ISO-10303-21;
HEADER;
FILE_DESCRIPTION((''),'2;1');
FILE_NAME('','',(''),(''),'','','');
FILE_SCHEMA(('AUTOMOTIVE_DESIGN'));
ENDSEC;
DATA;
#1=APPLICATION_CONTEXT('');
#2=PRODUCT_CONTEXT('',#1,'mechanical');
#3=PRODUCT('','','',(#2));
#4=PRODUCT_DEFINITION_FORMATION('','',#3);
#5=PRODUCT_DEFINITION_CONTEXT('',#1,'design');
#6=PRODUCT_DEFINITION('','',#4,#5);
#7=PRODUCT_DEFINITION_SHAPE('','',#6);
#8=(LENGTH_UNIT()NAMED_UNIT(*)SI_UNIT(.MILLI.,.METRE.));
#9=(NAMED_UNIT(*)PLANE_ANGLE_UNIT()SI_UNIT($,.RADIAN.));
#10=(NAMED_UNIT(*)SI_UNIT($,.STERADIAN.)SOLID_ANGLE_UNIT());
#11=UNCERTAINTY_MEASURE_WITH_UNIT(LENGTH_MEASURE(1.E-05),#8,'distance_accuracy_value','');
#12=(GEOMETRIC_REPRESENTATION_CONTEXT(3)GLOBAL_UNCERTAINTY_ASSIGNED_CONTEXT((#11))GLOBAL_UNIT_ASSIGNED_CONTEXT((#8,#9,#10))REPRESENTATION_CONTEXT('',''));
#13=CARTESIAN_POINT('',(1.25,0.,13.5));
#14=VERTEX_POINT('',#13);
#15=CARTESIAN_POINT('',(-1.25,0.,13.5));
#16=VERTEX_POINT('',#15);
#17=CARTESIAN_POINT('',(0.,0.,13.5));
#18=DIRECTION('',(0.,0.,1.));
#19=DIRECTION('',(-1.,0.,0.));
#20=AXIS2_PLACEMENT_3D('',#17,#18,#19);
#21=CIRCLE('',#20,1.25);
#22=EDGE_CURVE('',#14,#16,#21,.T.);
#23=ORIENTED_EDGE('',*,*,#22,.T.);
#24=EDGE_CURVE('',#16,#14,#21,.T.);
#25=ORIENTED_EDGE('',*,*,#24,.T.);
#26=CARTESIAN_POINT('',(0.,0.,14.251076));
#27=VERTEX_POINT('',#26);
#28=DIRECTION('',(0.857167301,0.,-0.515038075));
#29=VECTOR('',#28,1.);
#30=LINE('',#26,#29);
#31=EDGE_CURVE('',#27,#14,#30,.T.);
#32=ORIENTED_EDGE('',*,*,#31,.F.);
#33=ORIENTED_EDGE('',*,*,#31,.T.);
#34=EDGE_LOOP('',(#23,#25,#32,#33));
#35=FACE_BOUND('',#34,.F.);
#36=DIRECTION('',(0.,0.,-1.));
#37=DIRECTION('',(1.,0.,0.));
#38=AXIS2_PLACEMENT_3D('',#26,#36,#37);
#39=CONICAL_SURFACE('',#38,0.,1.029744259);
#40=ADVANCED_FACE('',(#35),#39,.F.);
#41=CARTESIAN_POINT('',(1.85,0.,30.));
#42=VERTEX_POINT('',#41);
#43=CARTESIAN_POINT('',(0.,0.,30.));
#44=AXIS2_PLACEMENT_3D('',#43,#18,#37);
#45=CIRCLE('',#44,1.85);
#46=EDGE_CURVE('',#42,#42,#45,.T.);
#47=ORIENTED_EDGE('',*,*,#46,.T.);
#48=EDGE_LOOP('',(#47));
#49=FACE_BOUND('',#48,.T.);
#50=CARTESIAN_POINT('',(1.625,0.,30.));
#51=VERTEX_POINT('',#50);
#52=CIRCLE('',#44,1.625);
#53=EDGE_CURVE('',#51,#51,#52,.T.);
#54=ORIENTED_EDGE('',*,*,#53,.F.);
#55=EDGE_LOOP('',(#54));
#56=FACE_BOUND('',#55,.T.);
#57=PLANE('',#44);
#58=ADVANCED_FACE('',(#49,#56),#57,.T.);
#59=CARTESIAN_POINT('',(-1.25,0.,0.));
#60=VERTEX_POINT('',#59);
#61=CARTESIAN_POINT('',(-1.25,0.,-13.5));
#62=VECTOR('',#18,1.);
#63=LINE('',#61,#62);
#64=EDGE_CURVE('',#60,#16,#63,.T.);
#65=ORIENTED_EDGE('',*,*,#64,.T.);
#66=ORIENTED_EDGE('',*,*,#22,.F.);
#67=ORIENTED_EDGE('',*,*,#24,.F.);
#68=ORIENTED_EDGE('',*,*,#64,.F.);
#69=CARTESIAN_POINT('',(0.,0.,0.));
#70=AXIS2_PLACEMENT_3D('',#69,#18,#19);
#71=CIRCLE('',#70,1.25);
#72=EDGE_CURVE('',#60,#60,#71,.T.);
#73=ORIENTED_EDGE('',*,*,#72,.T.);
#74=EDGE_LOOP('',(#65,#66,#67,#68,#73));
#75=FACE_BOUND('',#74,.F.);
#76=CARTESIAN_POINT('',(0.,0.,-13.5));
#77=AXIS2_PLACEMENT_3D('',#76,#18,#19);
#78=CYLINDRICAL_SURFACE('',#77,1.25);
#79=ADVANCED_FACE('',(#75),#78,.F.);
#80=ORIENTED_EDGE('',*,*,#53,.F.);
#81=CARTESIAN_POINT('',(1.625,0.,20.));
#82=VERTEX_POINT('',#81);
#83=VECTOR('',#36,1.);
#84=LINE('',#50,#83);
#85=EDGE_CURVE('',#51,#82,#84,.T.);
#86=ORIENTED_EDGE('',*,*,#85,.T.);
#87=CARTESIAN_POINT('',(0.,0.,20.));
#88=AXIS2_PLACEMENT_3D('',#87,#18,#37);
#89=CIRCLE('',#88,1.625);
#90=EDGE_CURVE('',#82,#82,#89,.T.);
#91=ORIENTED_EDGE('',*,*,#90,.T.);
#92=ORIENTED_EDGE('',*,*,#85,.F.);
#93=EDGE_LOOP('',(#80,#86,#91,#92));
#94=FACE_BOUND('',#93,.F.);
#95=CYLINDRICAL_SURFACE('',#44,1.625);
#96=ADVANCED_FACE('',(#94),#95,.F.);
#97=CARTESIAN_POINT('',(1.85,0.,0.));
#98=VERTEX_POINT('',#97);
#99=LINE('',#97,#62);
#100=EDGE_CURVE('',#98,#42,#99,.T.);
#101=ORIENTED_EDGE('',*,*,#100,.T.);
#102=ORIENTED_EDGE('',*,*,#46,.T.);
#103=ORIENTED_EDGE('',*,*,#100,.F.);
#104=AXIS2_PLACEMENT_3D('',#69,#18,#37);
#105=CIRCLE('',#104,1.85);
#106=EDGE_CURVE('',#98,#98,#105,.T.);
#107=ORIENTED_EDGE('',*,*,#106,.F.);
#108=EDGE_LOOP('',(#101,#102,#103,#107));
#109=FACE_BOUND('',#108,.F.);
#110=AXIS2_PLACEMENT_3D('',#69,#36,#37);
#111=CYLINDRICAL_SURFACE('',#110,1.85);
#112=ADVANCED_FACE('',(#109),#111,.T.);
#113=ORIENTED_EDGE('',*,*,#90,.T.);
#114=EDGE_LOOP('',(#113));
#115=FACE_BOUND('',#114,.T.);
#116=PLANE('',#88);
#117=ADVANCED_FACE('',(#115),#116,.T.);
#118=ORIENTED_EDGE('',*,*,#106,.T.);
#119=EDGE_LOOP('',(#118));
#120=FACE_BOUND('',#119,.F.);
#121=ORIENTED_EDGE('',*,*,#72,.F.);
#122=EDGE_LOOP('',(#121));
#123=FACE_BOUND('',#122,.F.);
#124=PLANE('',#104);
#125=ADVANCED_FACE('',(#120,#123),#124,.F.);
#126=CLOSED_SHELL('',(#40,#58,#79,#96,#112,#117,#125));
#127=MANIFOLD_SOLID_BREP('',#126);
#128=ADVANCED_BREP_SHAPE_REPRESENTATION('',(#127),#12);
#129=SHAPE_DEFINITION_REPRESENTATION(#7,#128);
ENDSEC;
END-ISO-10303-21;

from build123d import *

# Parameters (mm, degrees)
F0_R     = 1.85
F1_DEPTH = 30
F2_R     = 1.625
F3_DEPTH = 10
F5_D     = 2.5
F5_DEPTH = 13.5
F5_TIP   = 0.7510757738


with BuildPart() as f1:
    # F0 (on Top) → F1 (new body)
    with BuildSketch(Plane.XY):
        Circle(F0_R)
    extrude(amount=F1_DEPTH)

    # F2 (on face) → F3 (cut)
    with BuildSketch(Plane.XY.offset(30)):
        Circle(F2_R)
    extrude(amount=-F3_DEPTH, mode=Mode.SUBTRACT)

    # F5
    with Locations(Plane(origin=(0, 0, 0), x_dir=(1, 0, 0), z_dir=(0, 0, -1))):
        with Locations((0, 0)):
            Hole(F5_D / 2, depth=F5_DEPTH)
            with Locations((0, 0, -(F5_DEPTH + F5_TIP / 2))):  # 118° drill point
                Cone(0, F5_D / 2, F5_TIP, mode=Mode.SUBTRACT)


solid = f1.part
